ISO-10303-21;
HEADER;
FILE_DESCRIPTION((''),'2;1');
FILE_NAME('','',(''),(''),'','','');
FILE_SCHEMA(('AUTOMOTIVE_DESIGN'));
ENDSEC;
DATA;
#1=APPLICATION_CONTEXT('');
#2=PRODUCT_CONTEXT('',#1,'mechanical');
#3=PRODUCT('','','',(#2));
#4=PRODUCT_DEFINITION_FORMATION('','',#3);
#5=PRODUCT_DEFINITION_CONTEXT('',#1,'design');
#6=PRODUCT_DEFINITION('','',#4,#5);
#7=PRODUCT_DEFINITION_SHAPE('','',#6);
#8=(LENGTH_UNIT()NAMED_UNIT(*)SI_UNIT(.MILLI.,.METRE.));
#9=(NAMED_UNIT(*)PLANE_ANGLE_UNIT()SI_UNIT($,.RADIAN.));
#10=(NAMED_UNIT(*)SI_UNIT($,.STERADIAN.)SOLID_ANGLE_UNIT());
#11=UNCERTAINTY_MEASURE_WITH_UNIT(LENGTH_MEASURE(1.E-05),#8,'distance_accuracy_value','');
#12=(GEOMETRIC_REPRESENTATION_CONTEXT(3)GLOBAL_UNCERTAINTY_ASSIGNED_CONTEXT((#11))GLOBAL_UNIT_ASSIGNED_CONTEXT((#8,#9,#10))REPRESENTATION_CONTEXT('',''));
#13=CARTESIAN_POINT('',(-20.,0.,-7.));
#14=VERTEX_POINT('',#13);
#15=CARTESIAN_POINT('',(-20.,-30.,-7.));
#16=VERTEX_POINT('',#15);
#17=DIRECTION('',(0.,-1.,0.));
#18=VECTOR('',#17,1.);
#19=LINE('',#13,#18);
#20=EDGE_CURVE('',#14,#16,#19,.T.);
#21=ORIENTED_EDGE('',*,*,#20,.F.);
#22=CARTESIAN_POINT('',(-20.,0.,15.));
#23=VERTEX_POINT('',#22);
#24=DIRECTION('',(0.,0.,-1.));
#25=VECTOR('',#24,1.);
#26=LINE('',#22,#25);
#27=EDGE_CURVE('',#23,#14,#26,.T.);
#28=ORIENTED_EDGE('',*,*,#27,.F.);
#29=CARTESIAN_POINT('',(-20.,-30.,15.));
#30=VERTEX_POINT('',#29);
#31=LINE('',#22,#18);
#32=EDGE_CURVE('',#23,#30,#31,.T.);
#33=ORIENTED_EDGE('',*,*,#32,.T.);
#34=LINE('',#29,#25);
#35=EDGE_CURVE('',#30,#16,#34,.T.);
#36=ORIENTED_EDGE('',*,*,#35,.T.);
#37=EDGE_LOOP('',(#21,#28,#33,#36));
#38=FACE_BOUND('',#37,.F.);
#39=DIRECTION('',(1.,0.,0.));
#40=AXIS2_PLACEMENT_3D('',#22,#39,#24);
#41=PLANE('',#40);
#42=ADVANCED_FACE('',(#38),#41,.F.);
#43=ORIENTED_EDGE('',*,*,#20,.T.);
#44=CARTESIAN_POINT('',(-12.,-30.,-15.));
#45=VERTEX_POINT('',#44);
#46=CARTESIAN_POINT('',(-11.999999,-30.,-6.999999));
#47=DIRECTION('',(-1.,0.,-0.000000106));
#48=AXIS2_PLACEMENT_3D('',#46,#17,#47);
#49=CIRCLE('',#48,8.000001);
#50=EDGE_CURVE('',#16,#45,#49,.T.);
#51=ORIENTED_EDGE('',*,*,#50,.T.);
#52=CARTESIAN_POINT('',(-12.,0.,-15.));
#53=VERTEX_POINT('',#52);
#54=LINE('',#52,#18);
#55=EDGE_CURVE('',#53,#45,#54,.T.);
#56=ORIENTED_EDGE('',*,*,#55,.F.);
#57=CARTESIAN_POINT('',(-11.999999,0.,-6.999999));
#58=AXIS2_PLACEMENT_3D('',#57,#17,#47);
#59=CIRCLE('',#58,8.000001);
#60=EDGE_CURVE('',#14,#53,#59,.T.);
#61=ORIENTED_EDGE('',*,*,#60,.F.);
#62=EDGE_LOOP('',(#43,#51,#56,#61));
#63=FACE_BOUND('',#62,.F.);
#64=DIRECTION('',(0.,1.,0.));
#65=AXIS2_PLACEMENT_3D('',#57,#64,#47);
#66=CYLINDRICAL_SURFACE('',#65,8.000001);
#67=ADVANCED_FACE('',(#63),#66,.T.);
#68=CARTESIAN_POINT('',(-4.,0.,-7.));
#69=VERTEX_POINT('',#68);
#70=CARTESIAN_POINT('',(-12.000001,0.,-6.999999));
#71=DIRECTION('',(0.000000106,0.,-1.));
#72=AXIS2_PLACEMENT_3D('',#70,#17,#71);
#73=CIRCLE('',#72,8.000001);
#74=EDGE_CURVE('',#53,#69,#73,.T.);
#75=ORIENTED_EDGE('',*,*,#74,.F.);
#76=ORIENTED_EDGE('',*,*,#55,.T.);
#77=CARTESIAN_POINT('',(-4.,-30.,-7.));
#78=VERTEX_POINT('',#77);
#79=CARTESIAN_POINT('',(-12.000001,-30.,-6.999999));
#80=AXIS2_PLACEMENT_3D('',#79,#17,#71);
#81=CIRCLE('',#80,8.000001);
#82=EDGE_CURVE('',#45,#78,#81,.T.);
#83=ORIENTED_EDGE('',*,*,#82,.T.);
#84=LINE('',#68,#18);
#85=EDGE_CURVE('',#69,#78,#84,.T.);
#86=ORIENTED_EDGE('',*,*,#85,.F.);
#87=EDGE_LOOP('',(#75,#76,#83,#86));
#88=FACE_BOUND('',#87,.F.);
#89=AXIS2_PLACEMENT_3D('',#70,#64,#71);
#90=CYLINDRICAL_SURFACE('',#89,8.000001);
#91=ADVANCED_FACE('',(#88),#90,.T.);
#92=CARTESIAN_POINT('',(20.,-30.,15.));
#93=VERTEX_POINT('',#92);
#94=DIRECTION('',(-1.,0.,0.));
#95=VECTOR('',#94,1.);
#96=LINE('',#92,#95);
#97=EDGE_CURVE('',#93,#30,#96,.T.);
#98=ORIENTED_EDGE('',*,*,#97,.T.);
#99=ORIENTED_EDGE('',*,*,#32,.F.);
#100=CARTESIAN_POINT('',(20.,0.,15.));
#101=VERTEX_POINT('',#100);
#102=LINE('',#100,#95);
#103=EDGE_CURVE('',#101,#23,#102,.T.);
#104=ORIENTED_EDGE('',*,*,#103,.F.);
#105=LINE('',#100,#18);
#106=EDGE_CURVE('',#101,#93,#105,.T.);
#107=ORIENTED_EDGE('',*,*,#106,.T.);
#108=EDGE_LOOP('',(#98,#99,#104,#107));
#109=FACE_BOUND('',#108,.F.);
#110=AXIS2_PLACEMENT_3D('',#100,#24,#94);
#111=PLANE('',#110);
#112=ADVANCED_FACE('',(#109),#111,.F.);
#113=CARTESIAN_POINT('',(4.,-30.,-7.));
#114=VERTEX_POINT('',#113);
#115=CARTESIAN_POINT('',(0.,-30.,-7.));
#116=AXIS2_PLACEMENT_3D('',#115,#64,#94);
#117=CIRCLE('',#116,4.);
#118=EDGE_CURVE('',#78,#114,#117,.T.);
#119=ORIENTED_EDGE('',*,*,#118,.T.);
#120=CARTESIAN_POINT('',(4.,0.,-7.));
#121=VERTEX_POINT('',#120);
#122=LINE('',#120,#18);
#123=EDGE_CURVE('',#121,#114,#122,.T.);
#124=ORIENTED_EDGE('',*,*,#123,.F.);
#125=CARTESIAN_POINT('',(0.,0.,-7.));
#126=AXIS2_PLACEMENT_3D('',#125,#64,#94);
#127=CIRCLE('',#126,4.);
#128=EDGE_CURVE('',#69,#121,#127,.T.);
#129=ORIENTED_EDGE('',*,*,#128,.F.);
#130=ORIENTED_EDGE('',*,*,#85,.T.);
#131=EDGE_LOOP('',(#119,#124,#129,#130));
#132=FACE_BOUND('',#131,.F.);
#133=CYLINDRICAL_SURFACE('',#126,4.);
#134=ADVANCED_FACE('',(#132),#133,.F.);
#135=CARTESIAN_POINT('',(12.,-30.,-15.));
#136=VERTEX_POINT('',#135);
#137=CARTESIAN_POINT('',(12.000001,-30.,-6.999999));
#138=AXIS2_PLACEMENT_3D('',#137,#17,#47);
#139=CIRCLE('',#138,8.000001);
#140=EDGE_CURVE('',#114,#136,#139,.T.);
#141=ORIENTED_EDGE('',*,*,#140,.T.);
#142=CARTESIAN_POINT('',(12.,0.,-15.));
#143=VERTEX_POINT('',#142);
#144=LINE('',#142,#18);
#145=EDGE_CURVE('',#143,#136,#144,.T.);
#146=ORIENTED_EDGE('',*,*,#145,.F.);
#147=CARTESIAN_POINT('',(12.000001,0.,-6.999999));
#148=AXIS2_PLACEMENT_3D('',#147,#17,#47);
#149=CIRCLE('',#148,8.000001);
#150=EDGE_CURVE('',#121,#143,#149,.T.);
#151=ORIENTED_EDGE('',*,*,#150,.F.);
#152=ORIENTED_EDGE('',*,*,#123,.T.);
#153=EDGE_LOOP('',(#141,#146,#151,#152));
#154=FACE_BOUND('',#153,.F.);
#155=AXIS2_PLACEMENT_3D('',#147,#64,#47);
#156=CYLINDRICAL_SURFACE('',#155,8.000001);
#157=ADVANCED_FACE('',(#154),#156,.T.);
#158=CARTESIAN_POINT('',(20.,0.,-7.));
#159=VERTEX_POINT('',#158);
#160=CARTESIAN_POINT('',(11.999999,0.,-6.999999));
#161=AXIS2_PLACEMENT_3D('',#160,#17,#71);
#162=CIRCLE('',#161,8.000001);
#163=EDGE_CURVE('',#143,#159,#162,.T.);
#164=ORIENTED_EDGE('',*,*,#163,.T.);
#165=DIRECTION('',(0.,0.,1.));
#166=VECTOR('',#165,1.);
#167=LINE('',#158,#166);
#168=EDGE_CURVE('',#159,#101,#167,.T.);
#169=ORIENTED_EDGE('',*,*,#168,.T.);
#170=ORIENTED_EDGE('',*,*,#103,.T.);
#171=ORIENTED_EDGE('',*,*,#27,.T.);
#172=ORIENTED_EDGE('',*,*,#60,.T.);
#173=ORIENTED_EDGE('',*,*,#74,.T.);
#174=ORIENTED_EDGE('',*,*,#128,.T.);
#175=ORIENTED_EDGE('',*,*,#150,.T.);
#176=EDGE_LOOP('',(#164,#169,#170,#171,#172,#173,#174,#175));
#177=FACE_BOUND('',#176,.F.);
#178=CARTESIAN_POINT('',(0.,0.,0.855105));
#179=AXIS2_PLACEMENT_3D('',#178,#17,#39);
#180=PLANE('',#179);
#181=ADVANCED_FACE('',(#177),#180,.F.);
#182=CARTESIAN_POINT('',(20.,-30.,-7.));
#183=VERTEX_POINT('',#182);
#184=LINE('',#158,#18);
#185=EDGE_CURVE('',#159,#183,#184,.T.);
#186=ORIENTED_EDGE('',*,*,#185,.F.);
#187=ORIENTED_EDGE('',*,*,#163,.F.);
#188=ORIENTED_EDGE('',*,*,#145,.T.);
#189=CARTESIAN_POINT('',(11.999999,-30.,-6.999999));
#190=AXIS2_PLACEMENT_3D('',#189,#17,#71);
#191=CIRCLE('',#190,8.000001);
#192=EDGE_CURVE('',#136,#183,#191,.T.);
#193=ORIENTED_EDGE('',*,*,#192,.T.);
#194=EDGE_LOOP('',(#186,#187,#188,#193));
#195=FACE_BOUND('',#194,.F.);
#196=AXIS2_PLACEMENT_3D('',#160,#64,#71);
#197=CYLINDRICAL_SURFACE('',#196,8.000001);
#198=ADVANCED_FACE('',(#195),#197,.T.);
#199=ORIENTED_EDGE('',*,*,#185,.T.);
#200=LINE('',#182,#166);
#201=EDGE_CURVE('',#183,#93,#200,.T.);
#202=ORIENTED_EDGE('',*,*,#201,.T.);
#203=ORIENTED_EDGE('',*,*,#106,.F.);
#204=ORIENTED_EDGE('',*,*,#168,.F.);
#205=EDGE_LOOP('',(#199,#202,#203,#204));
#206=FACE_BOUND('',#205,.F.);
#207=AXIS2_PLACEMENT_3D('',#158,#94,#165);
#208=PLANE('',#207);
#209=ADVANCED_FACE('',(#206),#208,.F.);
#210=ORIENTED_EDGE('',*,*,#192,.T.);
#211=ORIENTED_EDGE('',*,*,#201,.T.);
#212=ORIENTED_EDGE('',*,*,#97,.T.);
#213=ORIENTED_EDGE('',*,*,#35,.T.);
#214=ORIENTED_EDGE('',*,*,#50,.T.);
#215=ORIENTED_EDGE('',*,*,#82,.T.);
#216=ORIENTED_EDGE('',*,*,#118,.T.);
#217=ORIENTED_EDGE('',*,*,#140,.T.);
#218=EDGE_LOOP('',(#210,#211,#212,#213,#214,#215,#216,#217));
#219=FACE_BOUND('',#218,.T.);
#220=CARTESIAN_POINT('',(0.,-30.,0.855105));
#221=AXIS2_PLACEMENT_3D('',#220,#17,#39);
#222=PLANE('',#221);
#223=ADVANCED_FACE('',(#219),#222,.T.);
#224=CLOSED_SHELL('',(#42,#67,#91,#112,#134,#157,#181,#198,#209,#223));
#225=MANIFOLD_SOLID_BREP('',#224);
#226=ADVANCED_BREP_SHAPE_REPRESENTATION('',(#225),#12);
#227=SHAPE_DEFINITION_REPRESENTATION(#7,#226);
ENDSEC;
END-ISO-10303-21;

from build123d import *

# Parameters (mm, degrees)
F1_DEPTH = 30


with BuildPart() as f1:
    # F0 (on Front) → F1 (new body)
    with BuildSketch(Plane.XZ):
        with BuildLine():
            ThreePointArc((-20, -7), (-17.656854, -12.656854), (-12, -15))
            ThreePointArc((-12, -15), (-6.343146, -12.656854), (-4, -7))
            ThreePointArc((-4, -7), (0, -3), (4, -7))
            ThreePointArc((4, -7), (6.343146, -12.656854), (12, -15))
            ThreePointArc((12, -15), (17.656854, -12.656854), (20, -7))
            Line((20, -7), (20, 15))
            Line((20, 15), (-20, 15))
            Line((-20, 15), (-20, -7))
        make_face()
    extrude(amount=F1_DEPTH)


solid = f1.part
